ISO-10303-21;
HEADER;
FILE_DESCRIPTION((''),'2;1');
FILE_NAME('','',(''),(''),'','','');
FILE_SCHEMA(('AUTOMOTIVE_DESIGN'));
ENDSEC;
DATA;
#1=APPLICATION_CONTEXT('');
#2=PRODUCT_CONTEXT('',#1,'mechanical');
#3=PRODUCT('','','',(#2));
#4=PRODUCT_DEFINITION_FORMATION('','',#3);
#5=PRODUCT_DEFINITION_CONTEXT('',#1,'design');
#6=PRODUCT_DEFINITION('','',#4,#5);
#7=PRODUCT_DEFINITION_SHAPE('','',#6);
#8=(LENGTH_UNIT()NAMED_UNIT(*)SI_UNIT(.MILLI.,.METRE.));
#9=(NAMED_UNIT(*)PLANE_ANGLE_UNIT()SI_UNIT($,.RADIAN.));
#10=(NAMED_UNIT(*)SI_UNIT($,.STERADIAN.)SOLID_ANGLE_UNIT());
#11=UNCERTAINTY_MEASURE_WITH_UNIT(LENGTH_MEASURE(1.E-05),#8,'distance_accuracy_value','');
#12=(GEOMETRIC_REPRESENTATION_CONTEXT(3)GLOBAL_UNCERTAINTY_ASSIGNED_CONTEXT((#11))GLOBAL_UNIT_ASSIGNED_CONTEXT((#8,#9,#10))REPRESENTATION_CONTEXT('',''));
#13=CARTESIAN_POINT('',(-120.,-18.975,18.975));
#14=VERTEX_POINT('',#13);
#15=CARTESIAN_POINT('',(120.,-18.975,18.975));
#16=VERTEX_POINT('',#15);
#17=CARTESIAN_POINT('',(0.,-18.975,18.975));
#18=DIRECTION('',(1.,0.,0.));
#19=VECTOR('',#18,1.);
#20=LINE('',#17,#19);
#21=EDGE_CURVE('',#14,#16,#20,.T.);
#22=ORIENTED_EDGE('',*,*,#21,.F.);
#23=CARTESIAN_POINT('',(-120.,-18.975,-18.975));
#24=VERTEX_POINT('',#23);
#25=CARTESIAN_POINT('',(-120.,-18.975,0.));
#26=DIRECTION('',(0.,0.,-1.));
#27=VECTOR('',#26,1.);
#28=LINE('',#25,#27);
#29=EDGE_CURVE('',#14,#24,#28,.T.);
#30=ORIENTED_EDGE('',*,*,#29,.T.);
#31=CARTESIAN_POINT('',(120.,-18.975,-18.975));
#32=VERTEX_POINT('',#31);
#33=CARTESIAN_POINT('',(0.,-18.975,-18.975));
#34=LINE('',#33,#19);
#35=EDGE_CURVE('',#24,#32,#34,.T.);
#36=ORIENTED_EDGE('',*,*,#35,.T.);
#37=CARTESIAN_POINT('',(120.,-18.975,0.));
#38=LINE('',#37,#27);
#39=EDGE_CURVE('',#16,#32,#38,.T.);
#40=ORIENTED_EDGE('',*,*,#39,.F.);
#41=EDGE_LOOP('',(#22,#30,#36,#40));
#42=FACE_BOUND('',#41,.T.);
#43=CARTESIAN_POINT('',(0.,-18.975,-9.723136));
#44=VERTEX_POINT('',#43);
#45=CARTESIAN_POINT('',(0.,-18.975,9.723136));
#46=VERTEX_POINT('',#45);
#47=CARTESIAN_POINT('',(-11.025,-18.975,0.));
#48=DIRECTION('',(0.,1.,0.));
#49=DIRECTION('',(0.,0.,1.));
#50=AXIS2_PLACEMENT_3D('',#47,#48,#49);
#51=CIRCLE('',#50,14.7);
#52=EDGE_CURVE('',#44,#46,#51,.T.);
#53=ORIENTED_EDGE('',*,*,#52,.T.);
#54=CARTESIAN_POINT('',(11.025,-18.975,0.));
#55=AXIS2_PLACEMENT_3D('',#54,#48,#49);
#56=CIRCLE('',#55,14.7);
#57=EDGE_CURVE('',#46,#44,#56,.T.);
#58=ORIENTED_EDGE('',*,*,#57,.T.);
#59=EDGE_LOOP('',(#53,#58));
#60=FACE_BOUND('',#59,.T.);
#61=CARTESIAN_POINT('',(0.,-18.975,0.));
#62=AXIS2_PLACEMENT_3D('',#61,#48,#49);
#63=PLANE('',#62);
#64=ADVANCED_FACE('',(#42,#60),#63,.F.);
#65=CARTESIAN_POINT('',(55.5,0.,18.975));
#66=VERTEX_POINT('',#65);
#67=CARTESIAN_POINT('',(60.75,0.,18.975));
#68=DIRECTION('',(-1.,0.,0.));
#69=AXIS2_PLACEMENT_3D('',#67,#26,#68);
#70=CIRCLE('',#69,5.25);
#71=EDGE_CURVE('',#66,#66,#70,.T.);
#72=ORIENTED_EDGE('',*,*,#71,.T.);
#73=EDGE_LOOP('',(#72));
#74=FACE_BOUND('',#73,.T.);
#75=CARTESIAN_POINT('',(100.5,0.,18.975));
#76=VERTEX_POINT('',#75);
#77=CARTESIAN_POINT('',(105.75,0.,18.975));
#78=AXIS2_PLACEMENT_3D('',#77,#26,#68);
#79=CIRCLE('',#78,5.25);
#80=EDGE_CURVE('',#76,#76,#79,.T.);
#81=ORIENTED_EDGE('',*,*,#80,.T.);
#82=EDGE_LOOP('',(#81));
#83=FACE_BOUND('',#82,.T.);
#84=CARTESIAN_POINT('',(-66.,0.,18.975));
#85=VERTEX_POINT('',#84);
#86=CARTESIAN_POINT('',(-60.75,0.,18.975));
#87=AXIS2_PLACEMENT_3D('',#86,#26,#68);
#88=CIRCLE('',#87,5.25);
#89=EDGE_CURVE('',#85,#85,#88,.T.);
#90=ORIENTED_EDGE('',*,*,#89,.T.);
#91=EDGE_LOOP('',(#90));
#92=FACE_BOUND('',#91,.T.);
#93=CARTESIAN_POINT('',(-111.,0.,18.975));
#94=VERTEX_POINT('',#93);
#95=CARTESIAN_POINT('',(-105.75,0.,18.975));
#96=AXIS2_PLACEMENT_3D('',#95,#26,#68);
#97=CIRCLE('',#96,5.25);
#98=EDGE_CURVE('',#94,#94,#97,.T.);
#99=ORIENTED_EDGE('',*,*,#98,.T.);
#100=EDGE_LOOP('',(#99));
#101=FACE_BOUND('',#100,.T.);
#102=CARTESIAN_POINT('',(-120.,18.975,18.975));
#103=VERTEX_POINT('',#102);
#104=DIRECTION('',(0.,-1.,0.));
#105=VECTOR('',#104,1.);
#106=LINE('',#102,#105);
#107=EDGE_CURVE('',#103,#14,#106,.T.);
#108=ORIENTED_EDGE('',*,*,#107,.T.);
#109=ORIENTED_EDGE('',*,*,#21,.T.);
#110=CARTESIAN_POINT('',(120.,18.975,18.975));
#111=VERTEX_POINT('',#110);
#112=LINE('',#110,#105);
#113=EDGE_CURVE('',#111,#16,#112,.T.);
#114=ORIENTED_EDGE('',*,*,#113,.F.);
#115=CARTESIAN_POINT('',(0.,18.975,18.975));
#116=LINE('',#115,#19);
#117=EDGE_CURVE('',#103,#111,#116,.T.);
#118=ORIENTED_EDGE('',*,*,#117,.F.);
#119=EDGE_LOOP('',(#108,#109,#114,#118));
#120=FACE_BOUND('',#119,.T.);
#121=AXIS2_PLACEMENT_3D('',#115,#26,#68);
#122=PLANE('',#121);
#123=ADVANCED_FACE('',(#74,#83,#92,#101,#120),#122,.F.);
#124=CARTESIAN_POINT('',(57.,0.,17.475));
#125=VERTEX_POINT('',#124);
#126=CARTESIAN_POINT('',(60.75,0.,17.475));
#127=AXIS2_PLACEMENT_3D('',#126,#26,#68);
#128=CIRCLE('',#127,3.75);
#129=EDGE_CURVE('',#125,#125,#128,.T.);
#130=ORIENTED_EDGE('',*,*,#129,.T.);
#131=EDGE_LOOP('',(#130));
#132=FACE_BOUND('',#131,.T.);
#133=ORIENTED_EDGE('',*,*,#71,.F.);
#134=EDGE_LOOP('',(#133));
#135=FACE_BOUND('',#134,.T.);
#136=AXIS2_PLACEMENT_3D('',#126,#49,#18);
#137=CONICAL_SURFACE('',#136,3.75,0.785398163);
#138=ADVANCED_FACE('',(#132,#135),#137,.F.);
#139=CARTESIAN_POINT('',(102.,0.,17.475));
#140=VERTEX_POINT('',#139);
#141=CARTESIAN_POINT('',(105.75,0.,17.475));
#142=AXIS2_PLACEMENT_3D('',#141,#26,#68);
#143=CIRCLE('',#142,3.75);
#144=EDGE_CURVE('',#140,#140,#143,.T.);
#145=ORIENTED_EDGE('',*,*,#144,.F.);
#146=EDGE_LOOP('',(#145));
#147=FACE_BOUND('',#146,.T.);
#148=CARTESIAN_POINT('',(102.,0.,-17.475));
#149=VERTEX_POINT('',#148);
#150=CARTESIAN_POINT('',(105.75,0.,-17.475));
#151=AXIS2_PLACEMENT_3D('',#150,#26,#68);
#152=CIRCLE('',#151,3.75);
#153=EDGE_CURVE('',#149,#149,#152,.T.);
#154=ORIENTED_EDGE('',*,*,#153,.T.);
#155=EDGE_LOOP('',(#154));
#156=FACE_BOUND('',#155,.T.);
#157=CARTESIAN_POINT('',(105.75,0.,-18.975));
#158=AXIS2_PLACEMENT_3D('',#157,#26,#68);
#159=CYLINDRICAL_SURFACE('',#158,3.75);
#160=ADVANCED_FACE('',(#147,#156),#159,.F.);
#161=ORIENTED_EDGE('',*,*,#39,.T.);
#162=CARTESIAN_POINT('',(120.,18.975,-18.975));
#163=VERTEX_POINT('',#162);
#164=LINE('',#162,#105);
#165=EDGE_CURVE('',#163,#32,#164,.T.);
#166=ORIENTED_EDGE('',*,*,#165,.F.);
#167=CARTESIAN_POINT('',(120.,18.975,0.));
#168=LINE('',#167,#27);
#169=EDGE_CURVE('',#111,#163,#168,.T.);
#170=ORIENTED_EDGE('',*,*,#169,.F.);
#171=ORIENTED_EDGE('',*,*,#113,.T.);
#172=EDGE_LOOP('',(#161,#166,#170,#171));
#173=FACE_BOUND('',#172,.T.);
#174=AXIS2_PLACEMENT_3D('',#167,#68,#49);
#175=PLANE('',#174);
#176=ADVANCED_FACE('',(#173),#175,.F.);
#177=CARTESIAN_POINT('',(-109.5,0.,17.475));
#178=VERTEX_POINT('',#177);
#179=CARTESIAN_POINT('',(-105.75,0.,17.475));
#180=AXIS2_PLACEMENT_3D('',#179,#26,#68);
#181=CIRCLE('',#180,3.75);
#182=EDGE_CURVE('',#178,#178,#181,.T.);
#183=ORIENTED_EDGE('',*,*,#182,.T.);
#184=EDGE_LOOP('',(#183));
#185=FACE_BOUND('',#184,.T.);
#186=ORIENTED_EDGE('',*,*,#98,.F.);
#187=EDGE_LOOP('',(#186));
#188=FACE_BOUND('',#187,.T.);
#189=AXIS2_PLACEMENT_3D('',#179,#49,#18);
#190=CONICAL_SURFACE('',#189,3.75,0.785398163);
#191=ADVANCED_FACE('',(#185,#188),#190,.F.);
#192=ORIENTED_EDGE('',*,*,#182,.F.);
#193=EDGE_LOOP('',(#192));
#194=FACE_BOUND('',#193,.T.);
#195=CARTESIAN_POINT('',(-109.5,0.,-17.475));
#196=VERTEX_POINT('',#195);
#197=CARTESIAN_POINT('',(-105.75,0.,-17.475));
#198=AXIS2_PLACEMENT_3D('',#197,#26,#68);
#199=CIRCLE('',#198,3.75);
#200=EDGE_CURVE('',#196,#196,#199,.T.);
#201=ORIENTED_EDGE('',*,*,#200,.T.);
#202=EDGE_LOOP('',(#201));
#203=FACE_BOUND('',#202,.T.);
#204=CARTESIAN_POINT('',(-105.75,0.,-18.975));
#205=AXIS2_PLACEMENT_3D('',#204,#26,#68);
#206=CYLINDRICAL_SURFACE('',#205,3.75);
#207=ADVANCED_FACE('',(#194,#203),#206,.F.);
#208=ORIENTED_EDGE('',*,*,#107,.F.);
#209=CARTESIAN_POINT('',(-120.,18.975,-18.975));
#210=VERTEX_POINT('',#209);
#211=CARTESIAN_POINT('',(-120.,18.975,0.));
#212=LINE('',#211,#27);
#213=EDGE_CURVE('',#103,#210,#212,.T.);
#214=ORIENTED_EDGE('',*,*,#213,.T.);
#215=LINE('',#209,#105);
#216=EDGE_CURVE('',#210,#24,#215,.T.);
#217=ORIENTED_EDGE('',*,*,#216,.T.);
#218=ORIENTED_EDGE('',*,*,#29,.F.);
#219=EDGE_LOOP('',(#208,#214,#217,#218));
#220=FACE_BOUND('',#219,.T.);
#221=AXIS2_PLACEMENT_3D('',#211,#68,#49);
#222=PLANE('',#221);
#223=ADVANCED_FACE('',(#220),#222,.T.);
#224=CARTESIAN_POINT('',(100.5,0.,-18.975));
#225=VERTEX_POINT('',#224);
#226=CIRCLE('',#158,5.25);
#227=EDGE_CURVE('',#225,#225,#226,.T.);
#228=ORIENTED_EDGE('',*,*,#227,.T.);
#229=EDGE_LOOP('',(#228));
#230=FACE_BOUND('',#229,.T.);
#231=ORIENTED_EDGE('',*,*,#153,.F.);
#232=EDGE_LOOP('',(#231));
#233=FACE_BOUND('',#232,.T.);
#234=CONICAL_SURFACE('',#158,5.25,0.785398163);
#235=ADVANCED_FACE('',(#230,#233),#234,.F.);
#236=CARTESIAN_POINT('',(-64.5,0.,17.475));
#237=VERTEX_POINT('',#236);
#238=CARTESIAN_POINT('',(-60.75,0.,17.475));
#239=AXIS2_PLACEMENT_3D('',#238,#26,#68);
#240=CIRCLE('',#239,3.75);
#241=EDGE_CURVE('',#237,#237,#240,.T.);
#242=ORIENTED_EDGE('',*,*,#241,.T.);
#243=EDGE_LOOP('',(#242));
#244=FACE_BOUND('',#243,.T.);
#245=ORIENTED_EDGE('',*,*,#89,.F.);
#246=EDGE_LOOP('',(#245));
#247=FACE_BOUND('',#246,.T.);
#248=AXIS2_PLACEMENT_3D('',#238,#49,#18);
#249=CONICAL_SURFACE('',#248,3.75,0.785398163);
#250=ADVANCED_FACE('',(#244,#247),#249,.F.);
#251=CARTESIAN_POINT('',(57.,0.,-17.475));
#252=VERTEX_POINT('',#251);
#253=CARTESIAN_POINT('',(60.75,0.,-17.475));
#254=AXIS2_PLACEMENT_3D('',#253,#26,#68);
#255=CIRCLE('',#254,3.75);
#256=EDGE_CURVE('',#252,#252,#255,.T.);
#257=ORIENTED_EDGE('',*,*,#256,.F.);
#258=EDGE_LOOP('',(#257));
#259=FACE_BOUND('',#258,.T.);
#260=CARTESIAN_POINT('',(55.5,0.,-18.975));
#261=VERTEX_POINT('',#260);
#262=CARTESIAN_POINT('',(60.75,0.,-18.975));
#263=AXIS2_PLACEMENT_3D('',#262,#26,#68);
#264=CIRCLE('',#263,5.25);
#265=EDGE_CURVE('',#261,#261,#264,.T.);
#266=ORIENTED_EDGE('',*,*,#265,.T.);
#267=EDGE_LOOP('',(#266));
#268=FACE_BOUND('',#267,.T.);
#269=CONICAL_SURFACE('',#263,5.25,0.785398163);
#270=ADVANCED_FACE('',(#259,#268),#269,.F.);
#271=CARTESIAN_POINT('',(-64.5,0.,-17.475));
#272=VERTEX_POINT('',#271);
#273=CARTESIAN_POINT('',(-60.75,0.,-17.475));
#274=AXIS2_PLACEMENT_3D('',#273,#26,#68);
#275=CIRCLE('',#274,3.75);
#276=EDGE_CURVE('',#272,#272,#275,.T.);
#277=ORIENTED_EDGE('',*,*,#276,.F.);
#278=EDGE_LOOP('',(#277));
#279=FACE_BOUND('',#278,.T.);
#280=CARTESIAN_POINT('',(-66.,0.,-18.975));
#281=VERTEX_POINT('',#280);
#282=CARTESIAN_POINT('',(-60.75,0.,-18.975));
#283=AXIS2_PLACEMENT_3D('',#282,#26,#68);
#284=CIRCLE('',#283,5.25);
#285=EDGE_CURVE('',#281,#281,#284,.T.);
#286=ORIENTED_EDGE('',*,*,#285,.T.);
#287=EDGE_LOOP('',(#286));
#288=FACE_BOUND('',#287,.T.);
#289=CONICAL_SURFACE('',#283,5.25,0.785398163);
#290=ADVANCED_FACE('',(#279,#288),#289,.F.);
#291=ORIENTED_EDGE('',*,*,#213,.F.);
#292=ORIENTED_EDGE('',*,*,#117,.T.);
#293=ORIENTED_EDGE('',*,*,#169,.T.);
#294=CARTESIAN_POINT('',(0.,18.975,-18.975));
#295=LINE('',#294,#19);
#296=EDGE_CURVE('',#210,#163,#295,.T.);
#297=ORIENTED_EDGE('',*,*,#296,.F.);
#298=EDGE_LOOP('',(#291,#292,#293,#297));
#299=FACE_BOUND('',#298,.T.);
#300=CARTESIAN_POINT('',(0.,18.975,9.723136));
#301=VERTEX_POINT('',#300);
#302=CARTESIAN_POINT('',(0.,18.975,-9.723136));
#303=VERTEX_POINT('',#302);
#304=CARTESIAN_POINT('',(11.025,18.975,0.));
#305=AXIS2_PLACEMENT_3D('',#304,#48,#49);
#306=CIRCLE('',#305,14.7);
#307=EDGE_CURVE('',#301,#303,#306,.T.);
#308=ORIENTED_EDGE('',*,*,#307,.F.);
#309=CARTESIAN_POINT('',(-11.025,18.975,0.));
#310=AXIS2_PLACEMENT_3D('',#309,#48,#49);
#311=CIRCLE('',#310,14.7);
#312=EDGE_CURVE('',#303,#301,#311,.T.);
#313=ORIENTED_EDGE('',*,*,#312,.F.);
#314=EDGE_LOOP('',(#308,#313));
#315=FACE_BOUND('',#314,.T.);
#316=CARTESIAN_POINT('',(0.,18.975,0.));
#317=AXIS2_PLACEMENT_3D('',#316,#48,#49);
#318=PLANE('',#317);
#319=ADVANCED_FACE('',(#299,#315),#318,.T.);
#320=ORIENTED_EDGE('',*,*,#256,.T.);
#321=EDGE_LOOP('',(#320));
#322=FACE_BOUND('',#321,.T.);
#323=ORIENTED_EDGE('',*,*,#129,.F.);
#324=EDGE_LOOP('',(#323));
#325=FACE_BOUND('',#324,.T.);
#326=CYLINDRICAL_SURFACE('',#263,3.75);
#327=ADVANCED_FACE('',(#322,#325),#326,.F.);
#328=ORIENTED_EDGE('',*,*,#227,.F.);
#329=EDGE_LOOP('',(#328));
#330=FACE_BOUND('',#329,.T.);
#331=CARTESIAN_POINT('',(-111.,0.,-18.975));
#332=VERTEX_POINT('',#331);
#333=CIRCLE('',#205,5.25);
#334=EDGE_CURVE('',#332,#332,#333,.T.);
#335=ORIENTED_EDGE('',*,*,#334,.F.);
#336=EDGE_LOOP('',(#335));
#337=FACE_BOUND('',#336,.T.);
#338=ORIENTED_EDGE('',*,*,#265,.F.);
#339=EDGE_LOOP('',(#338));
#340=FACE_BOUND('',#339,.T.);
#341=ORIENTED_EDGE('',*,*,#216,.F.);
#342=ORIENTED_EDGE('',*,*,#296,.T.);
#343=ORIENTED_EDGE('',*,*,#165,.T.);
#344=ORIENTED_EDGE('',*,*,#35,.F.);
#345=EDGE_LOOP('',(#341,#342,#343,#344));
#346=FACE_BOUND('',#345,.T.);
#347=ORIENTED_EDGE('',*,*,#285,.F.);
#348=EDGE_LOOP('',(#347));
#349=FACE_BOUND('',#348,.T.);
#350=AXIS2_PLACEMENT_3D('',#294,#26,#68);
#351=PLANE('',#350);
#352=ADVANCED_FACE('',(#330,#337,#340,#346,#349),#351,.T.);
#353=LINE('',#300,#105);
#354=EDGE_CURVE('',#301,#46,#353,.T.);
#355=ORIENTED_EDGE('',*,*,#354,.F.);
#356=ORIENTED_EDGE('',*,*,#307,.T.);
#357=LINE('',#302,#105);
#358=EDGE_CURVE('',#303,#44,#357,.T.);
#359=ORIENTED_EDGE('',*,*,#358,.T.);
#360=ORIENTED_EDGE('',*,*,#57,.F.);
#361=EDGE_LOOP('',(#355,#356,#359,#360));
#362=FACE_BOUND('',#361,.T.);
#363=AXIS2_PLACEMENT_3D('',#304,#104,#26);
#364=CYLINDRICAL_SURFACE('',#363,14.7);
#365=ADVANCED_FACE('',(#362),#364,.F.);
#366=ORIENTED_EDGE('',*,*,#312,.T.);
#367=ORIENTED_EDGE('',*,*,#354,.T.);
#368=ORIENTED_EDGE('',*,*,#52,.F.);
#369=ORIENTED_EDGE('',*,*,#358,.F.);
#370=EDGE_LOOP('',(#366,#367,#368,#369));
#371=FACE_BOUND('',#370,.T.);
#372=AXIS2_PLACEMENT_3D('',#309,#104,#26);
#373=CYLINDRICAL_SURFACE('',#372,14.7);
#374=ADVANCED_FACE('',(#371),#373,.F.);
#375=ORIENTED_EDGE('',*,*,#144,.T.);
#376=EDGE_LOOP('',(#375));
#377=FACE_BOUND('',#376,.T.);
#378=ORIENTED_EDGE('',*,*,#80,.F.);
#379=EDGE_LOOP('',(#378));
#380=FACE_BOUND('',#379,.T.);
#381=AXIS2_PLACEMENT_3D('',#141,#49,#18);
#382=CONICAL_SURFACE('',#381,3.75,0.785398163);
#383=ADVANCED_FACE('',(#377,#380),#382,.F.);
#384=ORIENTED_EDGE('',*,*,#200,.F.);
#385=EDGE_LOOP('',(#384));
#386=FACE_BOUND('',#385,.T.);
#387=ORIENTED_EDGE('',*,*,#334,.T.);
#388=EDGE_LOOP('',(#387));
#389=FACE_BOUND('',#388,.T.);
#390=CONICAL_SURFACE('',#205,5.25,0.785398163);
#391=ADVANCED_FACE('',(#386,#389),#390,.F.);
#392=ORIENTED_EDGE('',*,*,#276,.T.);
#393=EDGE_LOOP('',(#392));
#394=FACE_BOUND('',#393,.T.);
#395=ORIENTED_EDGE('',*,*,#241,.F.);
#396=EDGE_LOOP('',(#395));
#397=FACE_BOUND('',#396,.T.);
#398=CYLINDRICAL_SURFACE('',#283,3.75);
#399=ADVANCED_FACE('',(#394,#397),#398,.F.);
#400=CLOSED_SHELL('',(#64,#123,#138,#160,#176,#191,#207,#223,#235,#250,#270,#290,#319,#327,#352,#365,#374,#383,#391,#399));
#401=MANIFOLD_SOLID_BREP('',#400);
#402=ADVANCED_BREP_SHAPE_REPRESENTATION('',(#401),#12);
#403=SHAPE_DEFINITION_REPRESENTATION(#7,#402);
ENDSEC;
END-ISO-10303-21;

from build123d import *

# Parameters (mm, degrees)
SKETCH1_W                  = 80
SKETCH1_H                  = 12.65
BOSS_EXTRUDE1_DEPTH        = 6.325
M3_TAPPED_HOLE1_AT_2_COUNT = 2
M3_TAPPED_HOLE1_AT_2_PITCH = 15
M3_TAPPED_HOLE1_AT_3_COUNT = 2
M3_TAPPED_HOLE1_AT_3_PITCH = 55.5
M3_TAPPED_HOLE1_AT_4_COUNT = 2
M3_TAPPED_HOLE1_AT_4_PITCH = 70.5
SCALE1_SCALE               = 3


with BuildPart() as part:
    # Sketch1 → Boss-Extrude1 (new, symmetric)
    with BuildSketch(Plane(origin=(0, 0, 0), x_dir=(1, 0, 0), z_dir=(0, 1, 0))):
        Rectangle(SKETCH1_W, SKETCH1_H)
        with BuildLine():
            ThreePointArc((0, -3.241045356), (-8.575, 0), (0, 3.241045356))
            ThreePointArc((0, 3.241045356), (5.407411614, 4.583530299), (8.575, 0))
            ThreePointArc((8.575, 0), (5.407411614, -4.583530299), (0, -3.241045356))
        make_face(mode=Mode.SUBTRACT)
    extrude(amount=BOSS_EXTRUDE1_DEPTH, both=True)

    # Sketch5 → M3 Tapped Hole1 (revolve, cut)
    with BuildSketch(Plane(origin=(-35.25, 0, -6.325), x_dir=(0, 1, 0), z_dir=(1, 0, 0))):
        Polygon((0, 0), (0, 12.65), (1.75, 12.65), (1.25, 12.15), (1.25, 0.5), (1.75, 0), align=None)
    m3_tapped_hole1 = revolve(axis=Axis((-35.25, 0, -12.675), (0, 0, 1)), mode=Mode.SUBTRACT)

    # M3 Tapped Hole1 at 2: M3 Tapped Hole1 ×2
    with Locations(*[(i * M3_TAPPED_HOLE1_AT_2_PITCH, 0, 0) for i in range(1, M3_TAPPED_HOLE1_AT_2_COUNT)]):
        add(m3_tapped_hole1, mode=Mode.SUBTRACT)

    # M3 Tapped Hole1 at 3: M3 Tapped Hole1 ×2
    with Locations(*[(i * M3_TAPPED_HOLE1_AT_3_PITCH, 0, 0) for i in range(1, M3_TAPPED_HOLE1_AT_3_COUNT)]):
        add(m3_tapped_hole1, mode=Mode.SUBTRACT)

    # M3 Tapped Hole1 at 4: M3 Tapped Hole1 ×2
    with Locations(*[(i * M3_TAPPED_HOLE1_AT_4_PITCH, 0, 0) for i in range(1, M3_TAPPED_HOLE1_AT_4_COUNT)]):
        add(m3_tapped_hole1, mode=Mode.SUBTRACT)


with BuildPart() as part_1:
    # Scale1: scaled about (0, 0, 0)
    add(part.part.scale(SCALE1_SCALE))


solid = part_1.part
